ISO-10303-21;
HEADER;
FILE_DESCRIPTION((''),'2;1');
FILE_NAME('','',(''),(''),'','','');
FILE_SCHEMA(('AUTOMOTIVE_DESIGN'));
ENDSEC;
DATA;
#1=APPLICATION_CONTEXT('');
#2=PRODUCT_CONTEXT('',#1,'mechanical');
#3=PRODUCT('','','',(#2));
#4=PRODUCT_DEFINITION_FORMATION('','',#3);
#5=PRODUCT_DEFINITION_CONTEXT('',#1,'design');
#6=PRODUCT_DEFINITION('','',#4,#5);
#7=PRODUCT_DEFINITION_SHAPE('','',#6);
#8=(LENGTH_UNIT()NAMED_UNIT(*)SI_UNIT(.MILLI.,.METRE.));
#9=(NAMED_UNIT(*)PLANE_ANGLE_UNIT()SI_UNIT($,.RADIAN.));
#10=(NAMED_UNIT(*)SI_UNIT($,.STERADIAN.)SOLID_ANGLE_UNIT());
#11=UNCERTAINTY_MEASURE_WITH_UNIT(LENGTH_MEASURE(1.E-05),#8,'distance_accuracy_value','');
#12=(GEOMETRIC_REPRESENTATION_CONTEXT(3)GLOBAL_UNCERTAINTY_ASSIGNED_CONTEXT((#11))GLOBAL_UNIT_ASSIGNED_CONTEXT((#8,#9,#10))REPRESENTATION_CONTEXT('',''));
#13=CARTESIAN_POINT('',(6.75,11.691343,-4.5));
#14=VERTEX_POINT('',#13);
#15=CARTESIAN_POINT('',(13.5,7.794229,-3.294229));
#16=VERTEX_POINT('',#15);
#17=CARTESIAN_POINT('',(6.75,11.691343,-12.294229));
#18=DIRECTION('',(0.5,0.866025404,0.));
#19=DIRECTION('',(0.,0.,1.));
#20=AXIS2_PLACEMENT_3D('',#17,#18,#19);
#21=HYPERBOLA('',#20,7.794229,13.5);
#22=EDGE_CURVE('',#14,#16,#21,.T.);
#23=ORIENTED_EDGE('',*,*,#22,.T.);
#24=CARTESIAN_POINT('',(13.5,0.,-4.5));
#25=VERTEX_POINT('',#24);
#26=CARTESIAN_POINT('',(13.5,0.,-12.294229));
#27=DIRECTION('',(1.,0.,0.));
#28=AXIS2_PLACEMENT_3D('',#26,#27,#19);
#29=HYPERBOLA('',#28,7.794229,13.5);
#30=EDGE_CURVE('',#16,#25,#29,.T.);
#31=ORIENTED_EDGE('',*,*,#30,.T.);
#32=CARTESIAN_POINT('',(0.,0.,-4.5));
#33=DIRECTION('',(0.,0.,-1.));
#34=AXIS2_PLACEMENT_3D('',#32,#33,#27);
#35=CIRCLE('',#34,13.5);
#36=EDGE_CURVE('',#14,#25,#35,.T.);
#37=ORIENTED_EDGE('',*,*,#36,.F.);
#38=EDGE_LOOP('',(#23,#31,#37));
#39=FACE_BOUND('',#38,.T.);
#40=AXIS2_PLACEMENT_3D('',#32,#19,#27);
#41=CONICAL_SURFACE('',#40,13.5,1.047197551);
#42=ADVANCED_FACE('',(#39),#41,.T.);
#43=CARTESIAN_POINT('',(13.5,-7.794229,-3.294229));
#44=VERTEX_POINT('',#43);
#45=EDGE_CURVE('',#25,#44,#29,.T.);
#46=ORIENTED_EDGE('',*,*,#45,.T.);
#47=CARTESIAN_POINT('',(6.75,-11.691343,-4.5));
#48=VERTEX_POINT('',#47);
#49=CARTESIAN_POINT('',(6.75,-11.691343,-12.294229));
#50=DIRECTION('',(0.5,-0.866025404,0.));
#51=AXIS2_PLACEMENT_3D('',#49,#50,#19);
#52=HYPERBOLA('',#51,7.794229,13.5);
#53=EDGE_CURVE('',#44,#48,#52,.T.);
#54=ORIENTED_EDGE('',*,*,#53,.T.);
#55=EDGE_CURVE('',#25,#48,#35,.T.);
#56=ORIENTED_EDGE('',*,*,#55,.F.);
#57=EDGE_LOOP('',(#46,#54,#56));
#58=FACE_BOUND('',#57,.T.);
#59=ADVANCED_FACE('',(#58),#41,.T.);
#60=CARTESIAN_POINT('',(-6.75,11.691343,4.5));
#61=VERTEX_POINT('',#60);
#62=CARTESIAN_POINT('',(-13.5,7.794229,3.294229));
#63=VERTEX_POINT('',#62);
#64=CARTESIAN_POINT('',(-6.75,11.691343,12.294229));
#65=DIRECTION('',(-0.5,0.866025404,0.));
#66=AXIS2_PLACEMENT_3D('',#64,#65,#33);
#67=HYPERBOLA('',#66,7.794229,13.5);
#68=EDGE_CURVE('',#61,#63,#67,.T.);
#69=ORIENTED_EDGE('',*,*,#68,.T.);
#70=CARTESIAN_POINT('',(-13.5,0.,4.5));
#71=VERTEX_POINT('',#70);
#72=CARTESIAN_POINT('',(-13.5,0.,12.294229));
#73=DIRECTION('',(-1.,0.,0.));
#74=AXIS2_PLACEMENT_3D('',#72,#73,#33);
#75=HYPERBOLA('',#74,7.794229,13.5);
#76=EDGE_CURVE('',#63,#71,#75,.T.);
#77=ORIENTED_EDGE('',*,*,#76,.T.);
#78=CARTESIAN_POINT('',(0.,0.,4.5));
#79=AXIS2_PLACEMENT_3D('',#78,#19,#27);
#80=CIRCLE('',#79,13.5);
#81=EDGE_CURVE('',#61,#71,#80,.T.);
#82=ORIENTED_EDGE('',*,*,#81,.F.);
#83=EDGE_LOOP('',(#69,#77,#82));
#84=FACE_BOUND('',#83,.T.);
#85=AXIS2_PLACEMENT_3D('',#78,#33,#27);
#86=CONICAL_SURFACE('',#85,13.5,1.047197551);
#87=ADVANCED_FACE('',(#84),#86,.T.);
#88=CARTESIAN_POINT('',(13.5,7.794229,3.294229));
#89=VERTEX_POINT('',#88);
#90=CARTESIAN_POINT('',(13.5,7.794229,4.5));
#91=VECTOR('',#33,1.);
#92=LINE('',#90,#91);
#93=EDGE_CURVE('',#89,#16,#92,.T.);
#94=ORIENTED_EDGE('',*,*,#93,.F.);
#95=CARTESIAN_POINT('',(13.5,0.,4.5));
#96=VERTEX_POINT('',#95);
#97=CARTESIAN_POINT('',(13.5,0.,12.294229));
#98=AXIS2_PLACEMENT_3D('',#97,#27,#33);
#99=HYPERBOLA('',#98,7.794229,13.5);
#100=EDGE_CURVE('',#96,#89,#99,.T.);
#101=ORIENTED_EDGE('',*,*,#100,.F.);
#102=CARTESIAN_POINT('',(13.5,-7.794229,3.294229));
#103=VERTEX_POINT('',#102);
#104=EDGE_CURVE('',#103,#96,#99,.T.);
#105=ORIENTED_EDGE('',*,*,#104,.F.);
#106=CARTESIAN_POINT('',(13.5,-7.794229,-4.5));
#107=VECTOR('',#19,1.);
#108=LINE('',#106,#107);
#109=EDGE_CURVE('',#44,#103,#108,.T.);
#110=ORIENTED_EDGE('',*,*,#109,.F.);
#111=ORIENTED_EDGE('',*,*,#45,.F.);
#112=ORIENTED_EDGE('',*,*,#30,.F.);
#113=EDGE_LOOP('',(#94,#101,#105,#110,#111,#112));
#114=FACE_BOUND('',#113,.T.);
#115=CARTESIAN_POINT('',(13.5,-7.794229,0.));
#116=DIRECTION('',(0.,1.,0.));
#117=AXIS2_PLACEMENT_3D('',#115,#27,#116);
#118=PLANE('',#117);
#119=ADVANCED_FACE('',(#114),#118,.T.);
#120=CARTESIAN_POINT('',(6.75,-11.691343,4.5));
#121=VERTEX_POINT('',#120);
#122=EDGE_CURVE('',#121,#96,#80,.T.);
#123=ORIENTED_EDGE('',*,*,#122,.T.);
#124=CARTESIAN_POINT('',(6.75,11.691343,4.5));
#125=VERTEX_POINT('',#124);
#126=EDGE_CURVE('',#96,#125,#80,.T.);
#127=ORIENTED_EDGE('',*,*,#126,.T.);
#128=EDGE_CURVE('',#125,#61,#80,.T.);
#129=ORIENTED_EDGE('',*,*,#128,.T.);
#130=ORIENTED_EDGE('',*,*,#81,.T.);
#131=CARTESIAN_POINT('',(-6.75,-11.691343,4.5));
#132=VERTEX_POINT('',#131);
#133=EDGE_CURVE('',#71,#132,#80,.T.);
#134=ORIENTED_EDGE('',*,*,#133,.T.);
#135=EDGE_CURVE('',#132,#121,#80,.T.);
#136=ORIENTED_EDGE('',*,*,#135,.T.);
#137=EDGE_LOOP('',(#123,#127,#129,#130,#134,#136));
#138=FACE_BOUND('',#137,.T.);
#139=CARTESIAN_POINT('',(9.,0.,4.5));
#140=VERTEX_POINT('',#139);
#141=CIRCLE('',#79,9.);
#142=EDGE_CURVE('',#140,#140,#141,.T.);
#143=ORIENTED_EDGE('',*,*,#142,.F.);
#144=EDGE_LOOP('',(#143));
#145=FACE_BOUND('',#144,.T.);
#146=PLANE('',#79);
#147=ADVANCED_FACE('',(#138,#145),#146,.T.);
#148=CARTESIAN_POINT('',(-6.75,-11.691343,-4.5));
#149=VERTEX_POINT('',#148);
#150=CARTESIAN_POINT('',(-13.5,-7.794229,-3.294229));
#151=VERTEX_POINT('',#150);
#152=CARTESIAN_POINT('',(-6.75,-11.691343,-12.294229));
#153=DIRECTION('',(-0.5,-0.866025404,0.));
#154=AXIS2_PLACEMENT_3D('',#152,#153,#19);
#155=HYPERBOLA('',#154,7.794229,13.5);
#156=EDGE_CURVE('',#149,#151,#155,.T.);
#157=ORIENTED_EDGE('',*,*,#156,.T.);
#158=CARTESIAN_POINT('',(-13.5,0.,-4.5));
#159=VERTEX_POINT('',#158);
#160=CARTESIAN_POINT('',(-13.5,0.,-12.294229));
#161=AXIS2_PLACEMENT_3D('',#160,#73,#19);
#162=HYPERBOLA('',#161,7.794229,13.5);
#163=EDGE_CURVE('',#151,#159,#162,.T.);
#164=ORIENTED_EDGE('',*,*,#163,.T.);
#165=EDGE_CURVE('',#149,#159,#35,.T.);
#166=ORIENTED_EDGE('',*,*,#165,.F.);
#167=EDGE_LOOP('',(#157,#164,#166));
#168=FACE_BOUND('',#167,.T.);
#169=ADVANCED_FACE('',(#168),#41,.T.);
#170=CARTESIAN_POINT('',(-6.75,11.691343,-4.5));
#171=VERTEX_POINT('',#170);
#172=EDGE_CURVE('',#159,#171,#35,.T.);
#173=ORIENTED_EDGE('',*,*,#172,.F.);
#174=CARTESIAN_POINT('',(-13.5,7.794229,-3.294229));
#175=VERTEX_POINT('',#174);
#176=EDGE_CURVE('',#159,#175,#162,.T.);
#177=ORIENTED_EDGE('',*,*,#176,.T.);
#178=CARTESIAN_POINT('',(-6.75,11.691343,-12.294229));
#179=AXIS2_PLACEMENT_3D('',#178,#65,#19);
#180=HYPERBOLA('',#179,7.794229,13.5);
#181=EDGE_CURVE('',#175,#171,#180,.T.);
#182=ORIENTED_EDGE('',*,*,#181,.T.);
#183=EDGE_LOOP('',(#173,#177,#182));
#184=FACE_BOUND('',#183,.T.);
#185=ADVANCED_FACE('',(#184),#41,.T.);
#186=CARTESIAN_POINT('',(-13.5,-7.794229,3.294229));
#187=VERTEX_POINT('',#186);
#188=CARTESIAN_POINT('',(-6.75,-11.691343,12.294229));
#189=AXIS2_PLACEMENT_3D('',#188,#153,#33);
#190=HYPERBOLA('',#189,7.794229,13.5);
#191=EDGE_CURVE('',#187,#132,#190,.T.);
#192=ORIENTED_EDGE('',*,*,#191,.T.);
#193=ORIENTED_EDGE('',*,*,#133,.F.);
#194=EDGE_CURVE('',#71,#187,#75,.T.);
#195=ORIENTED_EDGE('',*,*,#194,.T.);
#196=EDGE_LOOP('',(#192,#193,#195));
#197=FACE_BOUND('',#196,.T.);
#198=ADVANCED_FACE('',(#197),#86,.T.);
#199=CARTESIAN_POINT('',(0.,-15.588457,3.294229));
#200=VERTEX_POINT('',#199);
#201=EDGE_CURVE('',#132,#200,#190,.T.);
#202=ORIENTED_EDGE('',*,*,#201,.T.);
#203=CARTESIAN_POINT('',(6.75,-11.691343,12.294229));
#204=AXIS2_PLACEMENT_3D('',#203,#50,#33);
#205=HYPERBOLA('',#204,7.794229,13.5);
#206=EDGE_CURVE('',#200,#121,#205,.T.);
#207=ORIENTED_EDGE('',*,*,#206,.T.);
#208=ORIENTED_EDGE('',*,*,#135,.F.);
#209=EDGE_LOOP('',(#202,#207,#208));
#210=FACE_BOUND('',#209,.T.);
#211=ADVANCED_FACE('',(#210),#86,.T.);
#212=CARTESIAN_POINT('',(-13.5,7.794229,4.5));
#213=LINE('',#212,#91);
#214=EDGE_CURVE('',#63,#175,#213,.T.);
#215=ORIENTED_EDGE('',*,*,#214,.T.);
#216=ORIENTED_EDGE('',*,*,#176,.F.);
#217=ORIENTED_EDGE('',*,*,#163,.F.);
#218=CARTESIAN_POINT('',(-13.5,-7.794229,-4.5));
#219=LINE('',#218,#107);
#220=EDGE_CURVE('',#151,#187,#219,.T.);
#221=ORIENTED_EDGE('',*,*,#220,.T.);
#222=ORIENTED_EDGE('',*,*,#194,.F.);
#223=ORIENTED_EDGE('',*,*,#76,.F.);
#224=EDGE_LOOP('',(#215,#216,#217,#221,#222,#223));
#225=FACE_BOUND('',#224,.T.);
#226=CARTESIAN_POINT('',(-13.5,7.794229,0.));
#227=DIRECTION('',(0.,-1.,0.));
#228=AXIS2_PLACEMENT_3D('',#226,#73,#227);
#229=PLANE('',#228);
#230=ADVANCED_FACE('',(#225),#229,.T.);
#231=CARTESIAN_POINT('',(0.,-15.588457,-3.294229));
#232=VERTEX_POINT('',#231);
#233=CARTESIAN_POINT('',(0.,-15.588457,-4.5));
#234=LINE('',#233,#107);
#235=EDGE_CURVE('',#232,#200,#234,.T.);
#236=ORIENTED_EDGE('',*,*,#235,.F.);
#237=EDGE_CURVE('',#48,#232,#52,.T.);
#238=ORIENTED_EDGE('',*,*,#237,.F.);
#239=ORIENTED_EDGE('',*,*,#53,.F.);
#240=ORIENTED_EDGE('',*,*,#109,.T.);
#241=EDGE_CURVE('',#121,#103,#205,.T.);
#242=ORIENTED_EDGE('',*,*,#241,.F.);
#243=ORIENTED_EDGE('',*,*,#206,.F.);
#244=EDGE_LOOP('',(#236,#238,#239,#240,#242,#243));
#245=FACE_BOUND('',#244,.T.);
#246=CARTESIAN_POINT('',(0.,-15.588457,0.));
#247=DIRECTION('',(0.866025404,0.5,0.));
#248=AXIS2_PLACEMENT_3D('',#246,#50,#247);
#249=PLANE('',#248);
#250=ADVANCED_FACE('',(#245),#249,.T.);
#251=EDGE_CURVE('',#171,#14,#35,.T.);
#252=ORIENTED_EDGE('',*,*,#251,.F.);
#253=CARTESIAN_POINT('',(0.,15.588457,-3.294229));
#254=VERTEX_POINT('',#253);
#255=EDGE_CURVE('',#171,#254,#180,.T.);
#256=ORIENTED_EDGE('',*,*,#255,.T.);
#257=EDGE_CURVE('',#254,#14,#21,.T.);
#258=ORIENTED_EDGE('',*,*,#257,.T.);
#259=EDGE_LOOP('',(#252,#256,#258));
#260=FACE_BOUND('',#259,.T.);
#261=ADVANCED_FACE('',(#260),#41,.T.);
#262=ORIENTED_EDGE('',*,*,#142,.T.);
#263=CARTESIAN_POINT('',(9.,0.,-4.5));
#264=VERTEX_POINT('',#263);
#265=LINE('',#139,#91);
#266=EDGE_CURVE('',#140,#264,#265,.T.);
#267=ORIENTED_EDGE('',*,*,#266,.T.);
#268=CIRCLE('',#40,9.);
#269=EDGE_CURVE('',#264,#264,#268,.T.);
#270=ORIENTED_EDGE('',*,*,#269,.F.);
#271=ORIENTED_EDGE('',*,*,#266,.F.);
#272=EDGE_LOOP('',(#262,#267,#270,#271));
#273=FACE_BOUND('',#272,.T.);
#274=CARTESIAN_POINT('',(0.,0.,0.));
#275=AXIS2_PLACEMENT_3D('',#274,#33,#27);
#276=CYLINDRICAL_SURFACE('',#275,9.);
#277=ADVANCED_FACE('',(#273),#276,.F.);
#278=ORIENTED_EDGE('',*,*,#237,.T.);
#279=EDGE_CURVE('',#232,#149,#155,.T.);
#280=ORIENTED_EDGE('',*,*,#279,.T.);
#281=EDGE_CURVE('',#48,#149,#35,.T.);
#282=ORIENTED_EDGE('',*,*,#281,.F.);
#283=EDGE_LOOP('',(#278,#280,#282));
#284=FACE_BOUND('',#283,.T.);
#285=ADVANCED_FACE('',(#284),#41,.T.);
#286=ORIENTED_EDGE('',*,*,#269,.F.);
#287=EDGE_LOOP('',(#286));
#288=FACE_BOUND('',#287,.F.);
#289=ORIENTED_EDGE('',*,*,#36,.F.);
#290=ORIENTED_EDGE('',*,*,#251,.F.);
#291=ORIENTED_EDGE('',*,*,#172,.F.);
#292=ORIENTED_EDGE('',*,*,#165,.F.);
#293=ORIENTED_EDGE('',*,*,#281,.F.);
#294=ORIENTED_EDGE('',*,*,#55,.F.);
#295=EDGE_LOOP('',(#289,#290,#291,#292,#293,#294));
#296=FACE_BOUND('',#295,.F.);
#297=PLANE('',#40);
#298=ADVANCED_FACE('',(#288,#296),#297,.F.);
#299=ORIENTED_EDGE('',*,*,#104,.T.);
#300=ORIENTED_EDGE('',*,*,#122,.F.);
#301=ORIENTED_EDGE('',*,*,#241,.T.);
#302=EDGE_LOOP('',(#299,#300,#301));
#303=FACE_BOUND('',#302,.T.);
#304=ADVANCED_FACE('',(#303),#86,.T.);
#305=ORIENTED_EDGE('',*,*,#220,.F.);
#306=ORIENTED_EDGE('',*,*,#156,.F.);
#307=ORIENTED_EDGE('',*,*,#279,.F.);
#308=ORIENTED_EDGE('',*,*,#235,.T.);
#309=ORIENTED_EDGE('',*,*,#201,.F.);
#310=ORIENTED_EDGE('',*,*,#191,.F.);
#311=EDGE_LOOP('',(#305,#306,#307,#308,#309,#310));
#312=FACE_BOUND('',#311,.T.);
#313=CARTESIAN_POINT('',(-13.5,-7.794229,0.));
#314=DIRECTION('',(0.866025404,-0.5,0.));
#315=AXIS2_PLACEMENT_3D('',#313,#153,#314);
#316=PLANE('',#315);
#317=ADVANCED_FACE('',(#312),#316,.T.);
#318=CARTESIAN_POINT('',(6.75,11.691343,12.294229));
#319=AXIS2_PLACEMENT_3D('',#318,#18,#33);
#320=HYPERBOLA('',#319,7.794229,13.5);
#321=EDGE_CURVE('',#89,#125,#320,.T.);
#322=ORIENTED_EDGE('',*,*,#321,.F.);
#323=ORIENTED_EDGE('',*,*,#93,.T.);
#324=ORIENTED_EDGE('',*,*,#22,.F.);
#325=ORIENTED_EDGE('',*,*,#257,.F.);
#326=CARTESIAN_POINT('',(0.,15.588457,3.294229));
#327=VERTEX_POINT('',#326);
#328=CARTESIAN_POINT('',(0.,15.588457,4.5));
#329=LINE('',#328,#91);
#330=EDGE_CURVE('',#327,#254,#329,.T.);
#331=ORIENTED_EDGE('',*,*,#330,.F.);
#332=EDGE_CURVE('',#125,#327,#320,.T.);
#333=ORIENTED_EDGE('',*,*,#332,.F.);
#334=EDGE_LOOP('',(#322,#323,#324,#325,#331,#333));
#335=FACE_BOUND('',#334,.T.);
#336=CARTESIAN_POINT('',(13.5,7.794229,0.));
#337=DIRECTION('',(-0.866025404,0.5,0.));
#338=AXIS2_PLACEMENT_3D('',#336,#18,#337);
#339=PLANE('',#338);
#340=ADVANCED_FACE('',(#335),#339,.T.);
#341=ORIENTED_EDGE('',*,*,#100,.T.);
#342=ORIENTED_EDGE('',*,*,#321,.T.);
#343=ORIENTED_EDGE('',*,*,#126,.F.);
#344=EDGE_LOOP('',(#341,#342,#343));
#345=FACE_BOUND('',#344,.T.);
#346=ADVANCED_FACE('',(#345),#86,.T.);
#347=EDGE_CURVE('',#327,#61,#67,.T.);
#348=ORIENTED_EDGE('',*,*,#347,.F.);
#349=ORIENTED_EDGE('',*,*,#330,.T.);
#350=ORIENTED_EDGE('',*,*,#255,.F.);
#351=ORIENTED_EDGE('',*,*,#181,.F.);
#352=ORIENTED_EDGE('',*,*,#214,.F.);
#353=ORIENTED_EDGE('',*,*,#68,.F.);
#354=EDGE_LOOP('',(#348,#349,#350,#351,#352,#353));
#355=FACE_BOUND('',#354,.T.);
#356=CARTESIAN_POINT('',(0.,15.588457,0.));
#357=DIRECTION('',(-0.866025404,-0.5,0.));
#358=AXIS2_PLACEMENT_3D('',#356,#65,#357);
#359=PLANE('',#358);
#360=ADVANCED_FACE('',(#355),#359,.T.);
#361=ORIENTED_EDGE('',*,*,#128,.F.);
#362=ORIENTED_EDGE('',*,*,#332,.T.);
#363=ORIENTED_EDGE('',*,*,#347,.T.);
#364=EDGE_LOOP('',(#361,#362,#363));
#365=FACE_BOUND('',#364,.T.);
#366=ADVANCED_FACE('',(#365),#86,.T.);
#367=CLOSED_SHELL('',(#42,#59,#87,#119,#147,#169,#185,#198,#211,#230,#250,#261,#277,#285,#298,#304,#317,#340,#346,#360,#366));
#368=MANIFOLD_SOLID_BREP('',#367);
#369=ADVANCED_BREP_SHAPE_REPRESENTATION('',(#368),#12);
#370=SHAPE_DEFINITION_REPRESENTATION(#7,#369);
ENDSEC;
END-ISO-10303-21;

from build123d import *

# Parameters (mm, degrees)
SZKIC1_R                    = 9
DODANIE_WYCI_GNI_CIE1_DEPTH = 4.5
SZKIC2_OUTSIDE_W            = 68.62
SZKIC2_OUTSIDE_H            = 72.796
SZKIC2_OUTSIDE_R            = 13.5
WYTNIJ_WYCI_GNI_CIE2_DEPTH  = 9
WYTNIJ_WYCI_GNI_CIE2_DRAFT  = -60
LUSTRO1_COPY_1_SKETCH_W     = 68.62
LUSTRO1_COPY_1_SKETCH_H     = 72.796
LUSTRO1_COPY_1_SKETCH_R     = 13.5
LUSTRO1_COPY_1_DEPTH        = 9
LUSTRO1_COPY_1_DRAFT        = -60


with BuildPart() as part:
    # Szkic1 → Dodanie-wyciągnięcie1 (new, symmetric)
    with BuildSketch(Plane.XY):
        Polygon((-13.5, 7.794228634), (-13.5, -7.794228634), (0, -15.588457268), (13.5, -7.794228634), (13.5, 7.794228634), (0, 15.588457268), align=None)
        Circle(SZKIC1_R, mode=Mode.SUBTRACT)
    extrude(amount=DODANIE_WYCI_GNI_CIE1_DEPTH, both=True)


with BuildPart() as wytnij_wyci_gni_cie2_tool:
    # Szkic2 outside → Wytnij-wyciągnięcie2 (with draft: the straight prism first)
    with BuildSketch(Plane.XY.offset(4.5)):
        Rectangle(SZKIC2_OUTSIDE_W, SZKIC2_OUTSIDE_H)
        Circle(SZKIC2_OUTSIDE_R, mode=Mode.SUBTRACT)
    extrude(amount=-WYTNIJ_WYCI_GNI_CIE2_DEPTH)
    # Wytnij-wyciągnięcie2: the draft: its side faces are tilted about the plane it starts from
    wytnij_wyci_gni_cie2_sides = [wytnij_wyci_gni_cie2_tool.faces().sort_by_distance(p)[0] for p in [
        (0, -36.398, 0),
        (34.31, 0, 0),
        (0, 36.398, 0),
        (-34.31, 0, 0),
        (-13.5, 0, 0),
    ]]
    draft(wytnij_wyci_gni_cie2_sides, Plane.XY.offset(4.5), WYTNIJ_WYCI_GNI_CIE2_DRAFT)


with BuildPart() as part_1:
    add(part.part)

    # Wytnij-wyciągnięcie2: cut by wytnij_wyci_gni_cie2_tool
    add(wytnij_wyci_gni_cie2_tool.part, mode=Mode.SUBTRACT)


with BuildPart() as lustro1_copy_1_tool:
    # Lustro1 copy 1 sketch → Lustro1 copy 1 (with draft: the straight prism first)
    with BuildSketch(Plane(origin=(0, 0, -4.5), x_dir=(1, 0, 0), z_dir=(0, 0, -1))):
        Rectangle(LUSTRO1_COPY_1_SKETCH_W, LUSTRO1_COPY_1_SKETCH_H)
        Circle(LUSTRO1_COPY_1_SKETCH_R, mode=Mode.SUBTRACT)
    extrude(amount=-LUSTRO1_COPY_1_DEPTH)
    # Lustro1 copy 1: the draft: its side faces are tilted about the plane it starts from
    lustro1_copy_1_sides = [lustro1_copy_1_tool.faces().sort_by_distance(p)[0] for p in [
        (0, -36.398, 0),
        (34.31, 0, 0),
        (0, 36.398, 0),
        (-34.31, 0, 0),
        (-13.5, 0, 0),
    ]]
    draft(lustro1_copy_1_sides, Plane(origin=(0, 0, -4.5), x_dir=(1, 0, 0), z_dir=(0, 0, -1)), LUSTRO1_COPY_1_DRAFT)


with BuildPart() as part_2:
    add(part_1.part)

    # Lustro1 copy 1: cut by lustro1_copy_1_tool
    add(lustro1_copy_1_tool.part, mode=Mode.SUBTRACT)


solid = part_2.part
